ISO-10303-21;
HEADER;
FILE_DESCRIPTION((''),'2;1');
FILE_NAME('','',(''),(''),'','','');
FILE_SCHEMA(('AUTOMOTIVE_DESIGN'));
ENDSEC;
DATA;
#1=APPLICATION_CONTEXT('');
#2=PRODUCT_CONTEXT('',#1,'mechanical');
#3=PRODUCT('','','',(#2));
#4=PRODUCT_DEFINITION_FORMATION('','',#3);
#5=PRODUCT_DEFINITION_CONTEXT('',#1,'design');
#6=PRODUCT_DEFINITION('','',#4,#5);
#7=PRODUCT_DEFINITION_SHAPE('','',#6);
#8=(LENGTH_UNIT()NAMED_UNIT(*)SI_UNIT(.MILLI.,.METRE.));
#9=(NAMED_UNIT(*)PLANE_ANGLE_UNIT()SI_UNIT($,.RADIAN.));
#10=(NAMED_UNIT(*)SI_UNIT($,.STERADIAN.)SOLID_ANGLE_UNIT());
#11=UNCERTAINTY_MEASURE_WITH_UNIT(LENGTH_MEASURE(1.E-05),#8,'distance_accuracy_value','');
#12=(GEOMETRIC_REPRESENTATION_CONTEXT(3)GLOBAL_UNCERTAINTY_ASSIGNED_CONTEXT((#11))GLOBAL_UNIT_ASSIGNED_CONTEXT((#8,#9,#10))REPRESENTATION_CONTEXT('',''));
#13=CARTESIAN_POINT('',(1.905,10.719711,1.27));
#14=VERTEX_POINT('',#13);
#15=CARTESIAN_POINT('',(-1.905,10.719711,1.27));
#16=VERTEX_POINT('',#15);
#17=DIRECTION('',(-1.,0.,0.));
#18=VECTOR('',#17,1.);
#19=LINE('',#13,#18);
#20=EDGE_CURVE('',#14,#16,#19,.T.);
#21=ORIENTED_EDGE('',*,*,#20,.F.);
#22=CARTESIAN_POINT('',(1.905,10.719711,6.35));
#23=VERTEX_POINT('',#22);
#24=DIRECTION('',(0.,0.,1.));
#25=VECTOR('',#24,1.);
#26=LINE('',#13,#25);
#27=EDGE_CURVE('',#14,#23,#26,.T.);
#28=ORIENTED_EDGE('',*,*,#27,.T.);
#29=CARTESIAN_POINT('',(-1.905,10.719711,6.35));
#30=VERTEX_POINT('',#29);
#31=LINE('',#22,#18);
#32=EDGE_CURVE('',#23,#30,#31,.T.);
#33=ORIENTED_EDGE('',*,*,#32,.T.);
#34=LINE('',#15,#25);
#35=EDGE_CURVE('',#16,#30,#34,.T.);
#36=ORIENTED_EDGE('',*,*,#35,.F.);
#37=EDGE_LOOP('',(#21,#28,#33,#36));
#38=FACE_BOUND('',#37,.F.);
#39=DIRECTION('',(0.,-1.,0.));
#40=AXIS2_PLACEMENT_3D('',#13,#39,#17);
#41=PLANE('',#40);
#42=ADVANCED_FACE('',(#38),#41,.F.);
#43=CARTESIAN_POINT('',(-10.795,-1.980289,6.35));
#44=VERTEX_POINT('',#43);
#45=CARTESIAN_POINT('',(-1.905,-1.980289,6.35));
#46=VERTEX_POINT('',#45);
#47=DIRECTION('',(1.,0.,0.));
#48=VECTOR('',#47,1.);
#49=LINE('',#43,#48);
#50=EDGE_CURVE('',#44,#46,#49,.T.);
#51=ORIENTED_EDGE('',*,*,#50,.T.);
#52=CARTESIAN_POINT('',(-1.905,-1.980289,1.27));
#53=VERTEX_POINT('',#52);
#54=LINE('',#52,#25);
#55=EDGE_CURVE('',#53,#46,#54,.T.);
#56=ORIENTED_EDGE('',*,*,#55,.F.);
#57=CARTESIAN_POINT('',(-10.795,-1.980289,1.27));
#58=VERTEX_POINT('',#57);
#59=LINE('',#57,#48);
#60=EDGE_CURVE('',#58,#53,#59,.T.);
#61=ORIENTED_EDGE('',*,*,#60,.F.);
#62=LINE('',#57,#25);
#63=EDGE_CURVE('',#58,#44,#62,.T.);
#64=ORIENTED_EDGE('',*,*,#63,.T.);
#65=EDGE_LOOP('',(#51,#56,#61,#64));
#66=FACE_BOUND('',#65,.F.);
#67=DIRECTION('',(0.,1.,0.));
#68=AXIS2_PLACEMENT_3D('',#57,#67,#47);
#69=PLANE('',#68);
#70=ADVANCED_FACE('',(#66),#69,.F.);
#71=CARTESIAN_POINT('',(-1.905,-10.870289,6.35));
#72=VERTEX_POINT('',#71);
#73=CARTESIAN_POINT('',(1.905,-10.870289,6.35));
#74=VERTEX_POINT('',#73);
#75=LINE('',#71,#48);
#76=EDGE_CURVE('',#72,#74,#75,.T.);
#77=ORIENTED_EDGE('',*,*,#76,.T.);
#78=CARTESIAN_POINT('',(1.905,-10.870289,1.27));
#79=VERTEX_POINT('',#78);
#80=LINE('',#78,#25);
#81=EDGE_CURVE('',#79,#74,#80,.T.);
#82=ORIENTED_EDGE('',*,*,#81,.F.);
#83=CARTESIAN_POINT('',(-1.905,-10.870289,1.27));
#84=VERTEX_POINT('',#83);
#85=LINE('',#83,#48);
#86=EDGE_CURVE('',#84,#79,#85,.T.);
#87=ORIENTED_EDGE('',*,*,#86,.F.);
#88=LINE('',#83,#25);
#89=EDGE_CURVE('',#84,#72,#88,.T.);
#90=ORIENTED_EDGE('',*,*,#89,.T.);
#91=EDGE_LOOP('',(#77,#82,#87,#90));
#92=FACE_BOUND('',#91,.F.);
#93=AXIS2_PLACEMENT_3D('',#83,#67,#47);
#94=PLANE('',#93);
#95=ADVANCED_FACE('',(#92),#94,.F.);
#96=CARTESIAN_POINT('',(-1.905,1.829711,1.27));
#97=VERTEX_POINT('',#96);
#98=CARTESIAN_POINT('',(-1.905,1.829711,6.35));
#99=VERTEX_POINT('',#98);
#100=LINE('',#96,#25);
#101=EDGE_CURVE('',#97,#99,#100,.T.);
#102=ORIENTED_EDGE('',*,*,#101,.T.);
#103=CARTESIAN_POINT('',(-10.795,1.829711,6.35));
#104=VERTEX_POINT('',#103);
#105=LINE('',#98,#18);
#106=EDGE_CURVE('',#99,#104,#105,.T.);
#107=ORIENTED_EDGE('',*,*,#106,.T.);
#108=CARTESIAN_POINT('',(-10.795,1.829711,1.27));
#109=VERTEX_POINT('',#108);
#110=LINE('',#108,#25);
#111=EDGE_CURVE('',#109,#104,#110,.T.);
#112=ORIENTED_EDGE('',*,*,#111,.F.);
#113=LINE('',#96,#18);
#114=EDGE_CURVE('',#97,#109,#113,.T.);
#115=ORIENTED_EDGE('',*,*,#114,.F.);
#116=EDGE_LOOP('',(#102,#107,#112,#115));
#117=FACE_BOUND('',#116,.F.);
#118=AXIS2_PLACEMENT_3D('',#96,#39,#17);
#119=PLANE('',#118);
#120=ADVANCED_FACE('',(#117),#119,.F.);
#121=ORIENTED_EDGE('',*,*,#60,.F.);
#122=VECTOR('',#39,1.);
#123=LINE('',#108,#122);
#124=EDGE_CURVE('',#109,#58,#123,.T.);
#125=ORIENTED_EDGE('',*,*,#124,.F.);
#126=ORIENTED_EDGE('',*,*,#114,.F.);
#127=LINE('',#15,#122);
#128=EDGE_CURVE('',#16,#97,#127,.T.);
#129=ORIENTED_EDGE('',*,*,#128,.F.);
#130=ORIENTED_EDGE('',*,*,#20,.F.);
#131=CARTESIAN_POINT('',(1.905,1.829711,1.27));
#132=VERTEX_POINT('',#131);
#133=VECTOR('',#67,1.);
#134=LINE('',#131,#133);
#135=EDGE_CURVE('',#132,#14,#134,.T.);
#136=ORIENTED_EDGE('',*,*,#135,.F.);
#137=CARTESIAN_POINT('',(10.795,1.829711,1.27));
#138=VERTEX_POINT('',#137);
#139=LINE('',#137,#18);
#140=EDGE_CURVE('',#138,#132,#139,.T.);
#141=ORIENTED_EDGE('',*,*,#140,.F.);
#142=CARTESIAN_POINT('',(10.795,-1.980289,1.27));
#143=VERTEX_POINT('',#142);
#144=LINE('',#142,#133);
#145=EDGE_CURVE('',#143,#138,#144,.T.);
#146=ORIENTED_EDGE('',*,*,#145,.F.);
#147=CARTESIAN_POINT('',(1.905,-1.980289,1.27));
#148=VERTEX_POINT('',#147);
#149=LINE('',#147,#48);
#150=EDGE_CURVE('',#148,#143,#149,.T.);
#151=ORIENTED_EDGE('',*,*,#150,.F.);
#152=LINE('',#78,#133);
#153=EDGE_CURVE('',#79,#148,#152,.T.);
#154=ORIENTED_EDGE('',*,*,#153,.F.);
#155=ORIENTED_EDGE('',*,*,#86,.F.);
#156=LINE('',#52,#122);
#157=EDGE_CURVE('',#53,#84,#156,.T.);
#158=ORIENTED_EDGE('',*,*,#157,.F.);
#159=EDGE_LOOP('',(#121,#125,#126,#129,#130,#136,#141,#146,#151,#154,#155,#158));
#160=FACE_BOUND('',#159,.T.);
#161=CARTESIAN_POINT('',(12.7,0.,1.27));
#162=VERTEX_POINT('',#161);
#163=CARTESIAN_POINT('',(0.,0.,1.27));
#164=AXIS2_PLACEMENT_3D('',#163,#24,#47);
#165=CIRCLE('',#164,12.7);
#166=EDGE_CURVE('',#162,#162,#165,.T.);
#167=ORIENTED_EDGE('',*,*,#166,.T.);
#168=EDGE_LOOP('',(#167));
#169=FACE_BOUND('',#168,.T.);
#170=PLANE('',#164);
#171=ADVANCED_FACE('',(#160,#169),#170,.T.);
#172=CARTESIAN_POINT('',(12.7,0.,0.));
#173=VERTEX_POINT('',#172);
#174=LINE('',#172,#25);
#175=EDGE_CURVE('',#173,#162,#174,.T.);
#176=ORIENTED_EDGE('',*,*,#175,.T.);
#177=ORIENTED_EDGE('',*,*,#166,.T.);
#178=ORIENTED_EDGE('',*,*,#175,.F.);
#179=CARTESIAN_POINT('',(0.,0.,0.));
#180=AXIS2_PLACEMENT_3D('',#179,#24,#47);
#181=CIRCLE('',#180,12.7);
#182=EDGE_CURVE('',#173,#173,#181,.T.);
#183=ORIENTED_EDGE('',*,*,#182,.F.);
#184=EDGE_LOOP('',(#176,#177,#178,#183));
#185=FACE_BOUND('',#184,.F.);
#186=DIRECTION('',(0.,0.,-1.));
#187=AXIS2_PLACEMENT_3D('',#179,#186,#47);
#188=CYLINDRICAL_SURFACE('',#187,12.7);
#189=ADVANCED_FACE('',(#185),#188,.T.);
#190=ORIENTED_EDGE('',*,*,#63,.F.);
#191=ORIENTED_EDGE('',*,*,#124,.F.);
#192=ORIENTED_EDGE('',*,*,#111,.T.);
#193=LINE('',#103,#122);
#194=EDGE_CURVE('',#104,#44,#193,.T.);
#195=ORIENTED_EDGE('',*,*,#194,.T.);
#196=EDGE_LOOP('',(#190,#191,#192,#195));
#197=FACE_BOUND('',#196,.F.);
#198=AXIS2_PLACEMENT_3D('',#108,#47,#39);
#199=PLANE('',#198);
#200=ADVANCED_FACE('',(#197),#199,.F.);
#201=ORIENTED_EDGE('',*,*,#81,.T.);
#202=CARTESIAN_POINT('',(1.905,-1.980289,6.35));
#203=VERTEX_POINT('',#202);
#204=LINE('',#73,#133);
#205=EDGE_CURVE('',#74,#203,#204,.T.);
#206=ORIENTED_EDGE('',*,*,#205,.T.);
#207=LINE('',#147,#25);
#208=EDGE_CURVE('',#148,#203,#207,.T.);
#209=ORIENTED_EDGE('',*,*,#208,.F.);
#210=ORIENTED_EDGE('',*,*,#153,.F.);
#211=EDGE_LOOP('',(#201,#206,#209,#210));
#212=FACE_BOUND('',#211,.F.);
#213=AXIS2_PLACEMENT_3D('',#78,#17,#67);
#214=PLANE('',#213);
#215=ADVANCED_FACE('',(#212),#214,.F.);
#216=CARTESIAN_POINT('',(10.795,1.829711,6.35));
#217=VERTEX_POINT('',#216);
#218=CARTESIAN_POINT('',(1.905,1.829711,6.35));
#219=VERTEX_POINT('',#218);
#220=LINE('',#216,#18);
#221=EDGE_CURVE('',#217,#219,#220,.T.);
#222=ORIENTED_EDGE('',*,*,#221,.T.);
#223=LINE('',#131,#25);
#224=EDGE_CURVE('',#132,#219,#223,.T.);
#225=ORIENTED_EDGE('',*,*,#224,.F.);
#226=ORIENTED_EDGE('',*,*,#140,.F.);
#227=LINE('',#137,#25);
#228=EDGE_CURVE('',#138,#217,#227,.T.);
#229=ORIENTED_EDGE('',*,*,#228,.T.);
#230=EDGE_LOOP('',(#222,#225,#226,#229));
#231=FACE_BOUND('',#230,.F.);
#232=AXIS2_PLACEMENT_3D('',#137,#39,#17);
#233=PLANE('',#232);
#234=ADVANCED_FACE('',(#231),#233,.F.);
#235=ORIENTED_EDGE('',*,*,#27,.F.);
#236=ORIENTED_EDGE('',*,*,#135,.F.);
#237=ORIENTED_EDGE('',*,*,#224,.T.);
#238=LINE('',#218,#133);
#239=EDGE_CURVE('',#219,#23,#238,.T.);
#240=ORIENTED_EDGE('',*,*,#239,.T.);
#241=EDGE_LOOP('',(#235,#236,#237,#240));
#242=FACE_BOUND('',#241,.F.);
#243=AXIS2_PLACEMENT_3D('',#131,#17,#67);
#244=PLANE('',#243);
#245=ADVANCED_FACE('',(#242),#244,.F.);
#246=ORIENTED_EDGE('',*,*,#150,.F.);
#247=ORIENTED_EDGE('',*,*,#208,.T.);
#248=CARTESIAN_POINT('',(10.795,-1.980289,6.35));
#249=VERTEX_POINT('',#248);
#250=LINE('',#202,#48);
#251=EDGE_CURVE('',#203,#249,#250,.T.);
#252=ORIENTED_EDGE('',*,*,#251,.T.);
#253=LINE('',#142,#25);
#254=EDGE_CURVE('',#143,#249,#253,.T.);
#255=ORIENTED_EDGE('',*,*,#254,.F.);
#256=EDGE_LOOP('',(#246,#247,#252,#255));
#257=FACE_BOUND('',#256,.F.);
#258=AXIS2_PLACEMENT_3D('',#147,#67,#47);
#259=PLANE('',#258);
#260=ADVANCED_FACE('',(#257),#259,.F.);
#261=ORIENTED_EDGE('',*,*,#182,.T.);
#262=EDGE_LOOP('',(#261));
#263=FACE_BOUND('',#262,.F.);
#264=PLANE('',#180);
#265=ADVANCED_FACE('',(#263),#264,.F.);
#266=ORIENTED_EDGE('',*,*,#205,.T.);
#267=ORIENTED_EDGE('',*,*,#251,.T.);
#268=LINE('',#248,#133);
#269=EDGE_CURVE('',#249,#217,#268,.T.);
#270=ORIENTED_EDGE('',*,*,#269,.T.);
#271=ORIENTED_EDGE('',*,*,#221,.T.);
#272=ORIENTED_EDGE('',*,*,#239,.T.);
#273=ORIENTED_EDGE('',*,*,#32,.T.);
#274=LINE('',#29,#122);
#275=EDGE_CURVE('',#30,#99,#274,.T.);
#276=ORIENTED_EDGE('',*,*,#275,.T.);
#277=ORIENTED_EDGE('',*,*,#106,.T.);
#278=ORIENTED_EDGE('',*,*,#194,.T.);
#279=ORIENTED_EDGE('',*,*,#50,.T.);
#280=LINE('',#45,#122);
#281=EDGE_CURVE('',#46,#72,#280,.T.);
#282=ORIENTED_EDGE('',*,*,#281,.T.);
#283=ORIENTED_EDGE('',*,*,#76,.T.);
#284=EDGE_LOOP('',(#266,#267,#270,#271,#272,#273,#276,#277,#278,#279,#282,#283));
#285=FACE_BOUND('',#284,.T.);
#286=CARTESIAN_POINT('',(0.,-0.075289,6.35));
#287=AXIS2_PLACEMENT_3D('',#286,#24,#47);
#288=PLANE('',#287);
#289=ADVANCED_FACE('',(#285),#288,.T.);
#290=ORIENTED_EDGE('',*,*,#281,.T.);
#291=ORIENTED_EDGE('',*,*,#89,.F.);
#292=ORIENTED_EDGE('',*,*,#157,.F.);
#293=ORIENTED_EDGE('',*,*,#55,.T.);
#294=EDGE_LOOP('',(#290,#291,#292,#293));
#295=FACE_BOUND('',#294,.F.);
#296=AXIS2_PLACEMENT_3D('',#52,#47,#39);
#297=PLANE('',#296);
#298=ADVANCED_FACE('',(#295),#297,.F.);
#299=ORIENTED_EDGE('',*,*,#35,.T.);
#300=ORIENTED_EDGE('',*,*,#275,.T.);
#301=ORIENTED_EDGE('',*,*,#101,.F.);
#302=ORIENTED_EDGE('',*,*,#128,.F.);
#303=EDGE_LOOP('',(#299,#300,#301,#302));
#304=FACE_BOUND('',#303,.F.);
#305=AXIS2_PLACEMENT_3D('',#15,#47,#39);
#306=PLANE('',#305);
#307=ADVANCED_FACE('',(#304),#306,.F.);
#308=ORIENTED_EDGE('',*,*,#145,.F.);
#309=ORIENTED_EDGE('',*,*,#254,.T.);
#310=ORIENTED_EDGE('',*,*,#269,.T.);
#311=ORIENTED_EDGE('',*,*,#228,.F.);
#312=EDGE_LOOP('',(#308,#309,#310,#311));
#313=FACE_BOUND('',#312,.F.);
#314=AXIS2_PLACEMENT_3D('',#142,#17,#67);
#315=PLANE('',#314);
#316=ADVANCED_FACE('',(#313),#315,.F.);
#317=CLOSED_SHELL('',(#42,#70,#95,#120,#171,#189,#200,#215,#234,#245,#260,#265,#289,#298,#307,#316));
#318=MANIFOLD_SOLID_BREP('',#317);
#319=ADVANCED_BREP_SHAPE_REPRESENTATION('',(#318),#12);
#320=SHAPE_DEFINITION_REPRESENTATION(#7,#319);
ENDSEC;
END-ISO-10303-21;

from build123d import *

# Parameters (mm, degrees)
F0_R     = 12.7
F1_DEPTH = 1.27
F4_DEPTH = 5.08


with BuildPart() as f1:
    # F0 (on Top) → F1 (new body)
    with BuildSketch(Plane.XY):
        Circle(F0_R)
    extrude(amount=F1_DEPTH)

    # F3 (on offset) → F4 (join)
    with BuildSketch(Plane.XY.offset(1.27)):
        Polygon((1.905, 10.719711), (-1.905, 10.719711), (-1.905, 1.829711), (-10.795, 1.829711), (-10.795, -1.980289), (-1.905, -1.980289), (-1.905, -10.870289), (1.905, -10.870289), (1.905, -1.980289), (10.795, -1.980289), (10.795, 1.829711), (1.905, 1.829711), align=None)
    extrude(amount=F4_DEPTH)


solid = f1.part
